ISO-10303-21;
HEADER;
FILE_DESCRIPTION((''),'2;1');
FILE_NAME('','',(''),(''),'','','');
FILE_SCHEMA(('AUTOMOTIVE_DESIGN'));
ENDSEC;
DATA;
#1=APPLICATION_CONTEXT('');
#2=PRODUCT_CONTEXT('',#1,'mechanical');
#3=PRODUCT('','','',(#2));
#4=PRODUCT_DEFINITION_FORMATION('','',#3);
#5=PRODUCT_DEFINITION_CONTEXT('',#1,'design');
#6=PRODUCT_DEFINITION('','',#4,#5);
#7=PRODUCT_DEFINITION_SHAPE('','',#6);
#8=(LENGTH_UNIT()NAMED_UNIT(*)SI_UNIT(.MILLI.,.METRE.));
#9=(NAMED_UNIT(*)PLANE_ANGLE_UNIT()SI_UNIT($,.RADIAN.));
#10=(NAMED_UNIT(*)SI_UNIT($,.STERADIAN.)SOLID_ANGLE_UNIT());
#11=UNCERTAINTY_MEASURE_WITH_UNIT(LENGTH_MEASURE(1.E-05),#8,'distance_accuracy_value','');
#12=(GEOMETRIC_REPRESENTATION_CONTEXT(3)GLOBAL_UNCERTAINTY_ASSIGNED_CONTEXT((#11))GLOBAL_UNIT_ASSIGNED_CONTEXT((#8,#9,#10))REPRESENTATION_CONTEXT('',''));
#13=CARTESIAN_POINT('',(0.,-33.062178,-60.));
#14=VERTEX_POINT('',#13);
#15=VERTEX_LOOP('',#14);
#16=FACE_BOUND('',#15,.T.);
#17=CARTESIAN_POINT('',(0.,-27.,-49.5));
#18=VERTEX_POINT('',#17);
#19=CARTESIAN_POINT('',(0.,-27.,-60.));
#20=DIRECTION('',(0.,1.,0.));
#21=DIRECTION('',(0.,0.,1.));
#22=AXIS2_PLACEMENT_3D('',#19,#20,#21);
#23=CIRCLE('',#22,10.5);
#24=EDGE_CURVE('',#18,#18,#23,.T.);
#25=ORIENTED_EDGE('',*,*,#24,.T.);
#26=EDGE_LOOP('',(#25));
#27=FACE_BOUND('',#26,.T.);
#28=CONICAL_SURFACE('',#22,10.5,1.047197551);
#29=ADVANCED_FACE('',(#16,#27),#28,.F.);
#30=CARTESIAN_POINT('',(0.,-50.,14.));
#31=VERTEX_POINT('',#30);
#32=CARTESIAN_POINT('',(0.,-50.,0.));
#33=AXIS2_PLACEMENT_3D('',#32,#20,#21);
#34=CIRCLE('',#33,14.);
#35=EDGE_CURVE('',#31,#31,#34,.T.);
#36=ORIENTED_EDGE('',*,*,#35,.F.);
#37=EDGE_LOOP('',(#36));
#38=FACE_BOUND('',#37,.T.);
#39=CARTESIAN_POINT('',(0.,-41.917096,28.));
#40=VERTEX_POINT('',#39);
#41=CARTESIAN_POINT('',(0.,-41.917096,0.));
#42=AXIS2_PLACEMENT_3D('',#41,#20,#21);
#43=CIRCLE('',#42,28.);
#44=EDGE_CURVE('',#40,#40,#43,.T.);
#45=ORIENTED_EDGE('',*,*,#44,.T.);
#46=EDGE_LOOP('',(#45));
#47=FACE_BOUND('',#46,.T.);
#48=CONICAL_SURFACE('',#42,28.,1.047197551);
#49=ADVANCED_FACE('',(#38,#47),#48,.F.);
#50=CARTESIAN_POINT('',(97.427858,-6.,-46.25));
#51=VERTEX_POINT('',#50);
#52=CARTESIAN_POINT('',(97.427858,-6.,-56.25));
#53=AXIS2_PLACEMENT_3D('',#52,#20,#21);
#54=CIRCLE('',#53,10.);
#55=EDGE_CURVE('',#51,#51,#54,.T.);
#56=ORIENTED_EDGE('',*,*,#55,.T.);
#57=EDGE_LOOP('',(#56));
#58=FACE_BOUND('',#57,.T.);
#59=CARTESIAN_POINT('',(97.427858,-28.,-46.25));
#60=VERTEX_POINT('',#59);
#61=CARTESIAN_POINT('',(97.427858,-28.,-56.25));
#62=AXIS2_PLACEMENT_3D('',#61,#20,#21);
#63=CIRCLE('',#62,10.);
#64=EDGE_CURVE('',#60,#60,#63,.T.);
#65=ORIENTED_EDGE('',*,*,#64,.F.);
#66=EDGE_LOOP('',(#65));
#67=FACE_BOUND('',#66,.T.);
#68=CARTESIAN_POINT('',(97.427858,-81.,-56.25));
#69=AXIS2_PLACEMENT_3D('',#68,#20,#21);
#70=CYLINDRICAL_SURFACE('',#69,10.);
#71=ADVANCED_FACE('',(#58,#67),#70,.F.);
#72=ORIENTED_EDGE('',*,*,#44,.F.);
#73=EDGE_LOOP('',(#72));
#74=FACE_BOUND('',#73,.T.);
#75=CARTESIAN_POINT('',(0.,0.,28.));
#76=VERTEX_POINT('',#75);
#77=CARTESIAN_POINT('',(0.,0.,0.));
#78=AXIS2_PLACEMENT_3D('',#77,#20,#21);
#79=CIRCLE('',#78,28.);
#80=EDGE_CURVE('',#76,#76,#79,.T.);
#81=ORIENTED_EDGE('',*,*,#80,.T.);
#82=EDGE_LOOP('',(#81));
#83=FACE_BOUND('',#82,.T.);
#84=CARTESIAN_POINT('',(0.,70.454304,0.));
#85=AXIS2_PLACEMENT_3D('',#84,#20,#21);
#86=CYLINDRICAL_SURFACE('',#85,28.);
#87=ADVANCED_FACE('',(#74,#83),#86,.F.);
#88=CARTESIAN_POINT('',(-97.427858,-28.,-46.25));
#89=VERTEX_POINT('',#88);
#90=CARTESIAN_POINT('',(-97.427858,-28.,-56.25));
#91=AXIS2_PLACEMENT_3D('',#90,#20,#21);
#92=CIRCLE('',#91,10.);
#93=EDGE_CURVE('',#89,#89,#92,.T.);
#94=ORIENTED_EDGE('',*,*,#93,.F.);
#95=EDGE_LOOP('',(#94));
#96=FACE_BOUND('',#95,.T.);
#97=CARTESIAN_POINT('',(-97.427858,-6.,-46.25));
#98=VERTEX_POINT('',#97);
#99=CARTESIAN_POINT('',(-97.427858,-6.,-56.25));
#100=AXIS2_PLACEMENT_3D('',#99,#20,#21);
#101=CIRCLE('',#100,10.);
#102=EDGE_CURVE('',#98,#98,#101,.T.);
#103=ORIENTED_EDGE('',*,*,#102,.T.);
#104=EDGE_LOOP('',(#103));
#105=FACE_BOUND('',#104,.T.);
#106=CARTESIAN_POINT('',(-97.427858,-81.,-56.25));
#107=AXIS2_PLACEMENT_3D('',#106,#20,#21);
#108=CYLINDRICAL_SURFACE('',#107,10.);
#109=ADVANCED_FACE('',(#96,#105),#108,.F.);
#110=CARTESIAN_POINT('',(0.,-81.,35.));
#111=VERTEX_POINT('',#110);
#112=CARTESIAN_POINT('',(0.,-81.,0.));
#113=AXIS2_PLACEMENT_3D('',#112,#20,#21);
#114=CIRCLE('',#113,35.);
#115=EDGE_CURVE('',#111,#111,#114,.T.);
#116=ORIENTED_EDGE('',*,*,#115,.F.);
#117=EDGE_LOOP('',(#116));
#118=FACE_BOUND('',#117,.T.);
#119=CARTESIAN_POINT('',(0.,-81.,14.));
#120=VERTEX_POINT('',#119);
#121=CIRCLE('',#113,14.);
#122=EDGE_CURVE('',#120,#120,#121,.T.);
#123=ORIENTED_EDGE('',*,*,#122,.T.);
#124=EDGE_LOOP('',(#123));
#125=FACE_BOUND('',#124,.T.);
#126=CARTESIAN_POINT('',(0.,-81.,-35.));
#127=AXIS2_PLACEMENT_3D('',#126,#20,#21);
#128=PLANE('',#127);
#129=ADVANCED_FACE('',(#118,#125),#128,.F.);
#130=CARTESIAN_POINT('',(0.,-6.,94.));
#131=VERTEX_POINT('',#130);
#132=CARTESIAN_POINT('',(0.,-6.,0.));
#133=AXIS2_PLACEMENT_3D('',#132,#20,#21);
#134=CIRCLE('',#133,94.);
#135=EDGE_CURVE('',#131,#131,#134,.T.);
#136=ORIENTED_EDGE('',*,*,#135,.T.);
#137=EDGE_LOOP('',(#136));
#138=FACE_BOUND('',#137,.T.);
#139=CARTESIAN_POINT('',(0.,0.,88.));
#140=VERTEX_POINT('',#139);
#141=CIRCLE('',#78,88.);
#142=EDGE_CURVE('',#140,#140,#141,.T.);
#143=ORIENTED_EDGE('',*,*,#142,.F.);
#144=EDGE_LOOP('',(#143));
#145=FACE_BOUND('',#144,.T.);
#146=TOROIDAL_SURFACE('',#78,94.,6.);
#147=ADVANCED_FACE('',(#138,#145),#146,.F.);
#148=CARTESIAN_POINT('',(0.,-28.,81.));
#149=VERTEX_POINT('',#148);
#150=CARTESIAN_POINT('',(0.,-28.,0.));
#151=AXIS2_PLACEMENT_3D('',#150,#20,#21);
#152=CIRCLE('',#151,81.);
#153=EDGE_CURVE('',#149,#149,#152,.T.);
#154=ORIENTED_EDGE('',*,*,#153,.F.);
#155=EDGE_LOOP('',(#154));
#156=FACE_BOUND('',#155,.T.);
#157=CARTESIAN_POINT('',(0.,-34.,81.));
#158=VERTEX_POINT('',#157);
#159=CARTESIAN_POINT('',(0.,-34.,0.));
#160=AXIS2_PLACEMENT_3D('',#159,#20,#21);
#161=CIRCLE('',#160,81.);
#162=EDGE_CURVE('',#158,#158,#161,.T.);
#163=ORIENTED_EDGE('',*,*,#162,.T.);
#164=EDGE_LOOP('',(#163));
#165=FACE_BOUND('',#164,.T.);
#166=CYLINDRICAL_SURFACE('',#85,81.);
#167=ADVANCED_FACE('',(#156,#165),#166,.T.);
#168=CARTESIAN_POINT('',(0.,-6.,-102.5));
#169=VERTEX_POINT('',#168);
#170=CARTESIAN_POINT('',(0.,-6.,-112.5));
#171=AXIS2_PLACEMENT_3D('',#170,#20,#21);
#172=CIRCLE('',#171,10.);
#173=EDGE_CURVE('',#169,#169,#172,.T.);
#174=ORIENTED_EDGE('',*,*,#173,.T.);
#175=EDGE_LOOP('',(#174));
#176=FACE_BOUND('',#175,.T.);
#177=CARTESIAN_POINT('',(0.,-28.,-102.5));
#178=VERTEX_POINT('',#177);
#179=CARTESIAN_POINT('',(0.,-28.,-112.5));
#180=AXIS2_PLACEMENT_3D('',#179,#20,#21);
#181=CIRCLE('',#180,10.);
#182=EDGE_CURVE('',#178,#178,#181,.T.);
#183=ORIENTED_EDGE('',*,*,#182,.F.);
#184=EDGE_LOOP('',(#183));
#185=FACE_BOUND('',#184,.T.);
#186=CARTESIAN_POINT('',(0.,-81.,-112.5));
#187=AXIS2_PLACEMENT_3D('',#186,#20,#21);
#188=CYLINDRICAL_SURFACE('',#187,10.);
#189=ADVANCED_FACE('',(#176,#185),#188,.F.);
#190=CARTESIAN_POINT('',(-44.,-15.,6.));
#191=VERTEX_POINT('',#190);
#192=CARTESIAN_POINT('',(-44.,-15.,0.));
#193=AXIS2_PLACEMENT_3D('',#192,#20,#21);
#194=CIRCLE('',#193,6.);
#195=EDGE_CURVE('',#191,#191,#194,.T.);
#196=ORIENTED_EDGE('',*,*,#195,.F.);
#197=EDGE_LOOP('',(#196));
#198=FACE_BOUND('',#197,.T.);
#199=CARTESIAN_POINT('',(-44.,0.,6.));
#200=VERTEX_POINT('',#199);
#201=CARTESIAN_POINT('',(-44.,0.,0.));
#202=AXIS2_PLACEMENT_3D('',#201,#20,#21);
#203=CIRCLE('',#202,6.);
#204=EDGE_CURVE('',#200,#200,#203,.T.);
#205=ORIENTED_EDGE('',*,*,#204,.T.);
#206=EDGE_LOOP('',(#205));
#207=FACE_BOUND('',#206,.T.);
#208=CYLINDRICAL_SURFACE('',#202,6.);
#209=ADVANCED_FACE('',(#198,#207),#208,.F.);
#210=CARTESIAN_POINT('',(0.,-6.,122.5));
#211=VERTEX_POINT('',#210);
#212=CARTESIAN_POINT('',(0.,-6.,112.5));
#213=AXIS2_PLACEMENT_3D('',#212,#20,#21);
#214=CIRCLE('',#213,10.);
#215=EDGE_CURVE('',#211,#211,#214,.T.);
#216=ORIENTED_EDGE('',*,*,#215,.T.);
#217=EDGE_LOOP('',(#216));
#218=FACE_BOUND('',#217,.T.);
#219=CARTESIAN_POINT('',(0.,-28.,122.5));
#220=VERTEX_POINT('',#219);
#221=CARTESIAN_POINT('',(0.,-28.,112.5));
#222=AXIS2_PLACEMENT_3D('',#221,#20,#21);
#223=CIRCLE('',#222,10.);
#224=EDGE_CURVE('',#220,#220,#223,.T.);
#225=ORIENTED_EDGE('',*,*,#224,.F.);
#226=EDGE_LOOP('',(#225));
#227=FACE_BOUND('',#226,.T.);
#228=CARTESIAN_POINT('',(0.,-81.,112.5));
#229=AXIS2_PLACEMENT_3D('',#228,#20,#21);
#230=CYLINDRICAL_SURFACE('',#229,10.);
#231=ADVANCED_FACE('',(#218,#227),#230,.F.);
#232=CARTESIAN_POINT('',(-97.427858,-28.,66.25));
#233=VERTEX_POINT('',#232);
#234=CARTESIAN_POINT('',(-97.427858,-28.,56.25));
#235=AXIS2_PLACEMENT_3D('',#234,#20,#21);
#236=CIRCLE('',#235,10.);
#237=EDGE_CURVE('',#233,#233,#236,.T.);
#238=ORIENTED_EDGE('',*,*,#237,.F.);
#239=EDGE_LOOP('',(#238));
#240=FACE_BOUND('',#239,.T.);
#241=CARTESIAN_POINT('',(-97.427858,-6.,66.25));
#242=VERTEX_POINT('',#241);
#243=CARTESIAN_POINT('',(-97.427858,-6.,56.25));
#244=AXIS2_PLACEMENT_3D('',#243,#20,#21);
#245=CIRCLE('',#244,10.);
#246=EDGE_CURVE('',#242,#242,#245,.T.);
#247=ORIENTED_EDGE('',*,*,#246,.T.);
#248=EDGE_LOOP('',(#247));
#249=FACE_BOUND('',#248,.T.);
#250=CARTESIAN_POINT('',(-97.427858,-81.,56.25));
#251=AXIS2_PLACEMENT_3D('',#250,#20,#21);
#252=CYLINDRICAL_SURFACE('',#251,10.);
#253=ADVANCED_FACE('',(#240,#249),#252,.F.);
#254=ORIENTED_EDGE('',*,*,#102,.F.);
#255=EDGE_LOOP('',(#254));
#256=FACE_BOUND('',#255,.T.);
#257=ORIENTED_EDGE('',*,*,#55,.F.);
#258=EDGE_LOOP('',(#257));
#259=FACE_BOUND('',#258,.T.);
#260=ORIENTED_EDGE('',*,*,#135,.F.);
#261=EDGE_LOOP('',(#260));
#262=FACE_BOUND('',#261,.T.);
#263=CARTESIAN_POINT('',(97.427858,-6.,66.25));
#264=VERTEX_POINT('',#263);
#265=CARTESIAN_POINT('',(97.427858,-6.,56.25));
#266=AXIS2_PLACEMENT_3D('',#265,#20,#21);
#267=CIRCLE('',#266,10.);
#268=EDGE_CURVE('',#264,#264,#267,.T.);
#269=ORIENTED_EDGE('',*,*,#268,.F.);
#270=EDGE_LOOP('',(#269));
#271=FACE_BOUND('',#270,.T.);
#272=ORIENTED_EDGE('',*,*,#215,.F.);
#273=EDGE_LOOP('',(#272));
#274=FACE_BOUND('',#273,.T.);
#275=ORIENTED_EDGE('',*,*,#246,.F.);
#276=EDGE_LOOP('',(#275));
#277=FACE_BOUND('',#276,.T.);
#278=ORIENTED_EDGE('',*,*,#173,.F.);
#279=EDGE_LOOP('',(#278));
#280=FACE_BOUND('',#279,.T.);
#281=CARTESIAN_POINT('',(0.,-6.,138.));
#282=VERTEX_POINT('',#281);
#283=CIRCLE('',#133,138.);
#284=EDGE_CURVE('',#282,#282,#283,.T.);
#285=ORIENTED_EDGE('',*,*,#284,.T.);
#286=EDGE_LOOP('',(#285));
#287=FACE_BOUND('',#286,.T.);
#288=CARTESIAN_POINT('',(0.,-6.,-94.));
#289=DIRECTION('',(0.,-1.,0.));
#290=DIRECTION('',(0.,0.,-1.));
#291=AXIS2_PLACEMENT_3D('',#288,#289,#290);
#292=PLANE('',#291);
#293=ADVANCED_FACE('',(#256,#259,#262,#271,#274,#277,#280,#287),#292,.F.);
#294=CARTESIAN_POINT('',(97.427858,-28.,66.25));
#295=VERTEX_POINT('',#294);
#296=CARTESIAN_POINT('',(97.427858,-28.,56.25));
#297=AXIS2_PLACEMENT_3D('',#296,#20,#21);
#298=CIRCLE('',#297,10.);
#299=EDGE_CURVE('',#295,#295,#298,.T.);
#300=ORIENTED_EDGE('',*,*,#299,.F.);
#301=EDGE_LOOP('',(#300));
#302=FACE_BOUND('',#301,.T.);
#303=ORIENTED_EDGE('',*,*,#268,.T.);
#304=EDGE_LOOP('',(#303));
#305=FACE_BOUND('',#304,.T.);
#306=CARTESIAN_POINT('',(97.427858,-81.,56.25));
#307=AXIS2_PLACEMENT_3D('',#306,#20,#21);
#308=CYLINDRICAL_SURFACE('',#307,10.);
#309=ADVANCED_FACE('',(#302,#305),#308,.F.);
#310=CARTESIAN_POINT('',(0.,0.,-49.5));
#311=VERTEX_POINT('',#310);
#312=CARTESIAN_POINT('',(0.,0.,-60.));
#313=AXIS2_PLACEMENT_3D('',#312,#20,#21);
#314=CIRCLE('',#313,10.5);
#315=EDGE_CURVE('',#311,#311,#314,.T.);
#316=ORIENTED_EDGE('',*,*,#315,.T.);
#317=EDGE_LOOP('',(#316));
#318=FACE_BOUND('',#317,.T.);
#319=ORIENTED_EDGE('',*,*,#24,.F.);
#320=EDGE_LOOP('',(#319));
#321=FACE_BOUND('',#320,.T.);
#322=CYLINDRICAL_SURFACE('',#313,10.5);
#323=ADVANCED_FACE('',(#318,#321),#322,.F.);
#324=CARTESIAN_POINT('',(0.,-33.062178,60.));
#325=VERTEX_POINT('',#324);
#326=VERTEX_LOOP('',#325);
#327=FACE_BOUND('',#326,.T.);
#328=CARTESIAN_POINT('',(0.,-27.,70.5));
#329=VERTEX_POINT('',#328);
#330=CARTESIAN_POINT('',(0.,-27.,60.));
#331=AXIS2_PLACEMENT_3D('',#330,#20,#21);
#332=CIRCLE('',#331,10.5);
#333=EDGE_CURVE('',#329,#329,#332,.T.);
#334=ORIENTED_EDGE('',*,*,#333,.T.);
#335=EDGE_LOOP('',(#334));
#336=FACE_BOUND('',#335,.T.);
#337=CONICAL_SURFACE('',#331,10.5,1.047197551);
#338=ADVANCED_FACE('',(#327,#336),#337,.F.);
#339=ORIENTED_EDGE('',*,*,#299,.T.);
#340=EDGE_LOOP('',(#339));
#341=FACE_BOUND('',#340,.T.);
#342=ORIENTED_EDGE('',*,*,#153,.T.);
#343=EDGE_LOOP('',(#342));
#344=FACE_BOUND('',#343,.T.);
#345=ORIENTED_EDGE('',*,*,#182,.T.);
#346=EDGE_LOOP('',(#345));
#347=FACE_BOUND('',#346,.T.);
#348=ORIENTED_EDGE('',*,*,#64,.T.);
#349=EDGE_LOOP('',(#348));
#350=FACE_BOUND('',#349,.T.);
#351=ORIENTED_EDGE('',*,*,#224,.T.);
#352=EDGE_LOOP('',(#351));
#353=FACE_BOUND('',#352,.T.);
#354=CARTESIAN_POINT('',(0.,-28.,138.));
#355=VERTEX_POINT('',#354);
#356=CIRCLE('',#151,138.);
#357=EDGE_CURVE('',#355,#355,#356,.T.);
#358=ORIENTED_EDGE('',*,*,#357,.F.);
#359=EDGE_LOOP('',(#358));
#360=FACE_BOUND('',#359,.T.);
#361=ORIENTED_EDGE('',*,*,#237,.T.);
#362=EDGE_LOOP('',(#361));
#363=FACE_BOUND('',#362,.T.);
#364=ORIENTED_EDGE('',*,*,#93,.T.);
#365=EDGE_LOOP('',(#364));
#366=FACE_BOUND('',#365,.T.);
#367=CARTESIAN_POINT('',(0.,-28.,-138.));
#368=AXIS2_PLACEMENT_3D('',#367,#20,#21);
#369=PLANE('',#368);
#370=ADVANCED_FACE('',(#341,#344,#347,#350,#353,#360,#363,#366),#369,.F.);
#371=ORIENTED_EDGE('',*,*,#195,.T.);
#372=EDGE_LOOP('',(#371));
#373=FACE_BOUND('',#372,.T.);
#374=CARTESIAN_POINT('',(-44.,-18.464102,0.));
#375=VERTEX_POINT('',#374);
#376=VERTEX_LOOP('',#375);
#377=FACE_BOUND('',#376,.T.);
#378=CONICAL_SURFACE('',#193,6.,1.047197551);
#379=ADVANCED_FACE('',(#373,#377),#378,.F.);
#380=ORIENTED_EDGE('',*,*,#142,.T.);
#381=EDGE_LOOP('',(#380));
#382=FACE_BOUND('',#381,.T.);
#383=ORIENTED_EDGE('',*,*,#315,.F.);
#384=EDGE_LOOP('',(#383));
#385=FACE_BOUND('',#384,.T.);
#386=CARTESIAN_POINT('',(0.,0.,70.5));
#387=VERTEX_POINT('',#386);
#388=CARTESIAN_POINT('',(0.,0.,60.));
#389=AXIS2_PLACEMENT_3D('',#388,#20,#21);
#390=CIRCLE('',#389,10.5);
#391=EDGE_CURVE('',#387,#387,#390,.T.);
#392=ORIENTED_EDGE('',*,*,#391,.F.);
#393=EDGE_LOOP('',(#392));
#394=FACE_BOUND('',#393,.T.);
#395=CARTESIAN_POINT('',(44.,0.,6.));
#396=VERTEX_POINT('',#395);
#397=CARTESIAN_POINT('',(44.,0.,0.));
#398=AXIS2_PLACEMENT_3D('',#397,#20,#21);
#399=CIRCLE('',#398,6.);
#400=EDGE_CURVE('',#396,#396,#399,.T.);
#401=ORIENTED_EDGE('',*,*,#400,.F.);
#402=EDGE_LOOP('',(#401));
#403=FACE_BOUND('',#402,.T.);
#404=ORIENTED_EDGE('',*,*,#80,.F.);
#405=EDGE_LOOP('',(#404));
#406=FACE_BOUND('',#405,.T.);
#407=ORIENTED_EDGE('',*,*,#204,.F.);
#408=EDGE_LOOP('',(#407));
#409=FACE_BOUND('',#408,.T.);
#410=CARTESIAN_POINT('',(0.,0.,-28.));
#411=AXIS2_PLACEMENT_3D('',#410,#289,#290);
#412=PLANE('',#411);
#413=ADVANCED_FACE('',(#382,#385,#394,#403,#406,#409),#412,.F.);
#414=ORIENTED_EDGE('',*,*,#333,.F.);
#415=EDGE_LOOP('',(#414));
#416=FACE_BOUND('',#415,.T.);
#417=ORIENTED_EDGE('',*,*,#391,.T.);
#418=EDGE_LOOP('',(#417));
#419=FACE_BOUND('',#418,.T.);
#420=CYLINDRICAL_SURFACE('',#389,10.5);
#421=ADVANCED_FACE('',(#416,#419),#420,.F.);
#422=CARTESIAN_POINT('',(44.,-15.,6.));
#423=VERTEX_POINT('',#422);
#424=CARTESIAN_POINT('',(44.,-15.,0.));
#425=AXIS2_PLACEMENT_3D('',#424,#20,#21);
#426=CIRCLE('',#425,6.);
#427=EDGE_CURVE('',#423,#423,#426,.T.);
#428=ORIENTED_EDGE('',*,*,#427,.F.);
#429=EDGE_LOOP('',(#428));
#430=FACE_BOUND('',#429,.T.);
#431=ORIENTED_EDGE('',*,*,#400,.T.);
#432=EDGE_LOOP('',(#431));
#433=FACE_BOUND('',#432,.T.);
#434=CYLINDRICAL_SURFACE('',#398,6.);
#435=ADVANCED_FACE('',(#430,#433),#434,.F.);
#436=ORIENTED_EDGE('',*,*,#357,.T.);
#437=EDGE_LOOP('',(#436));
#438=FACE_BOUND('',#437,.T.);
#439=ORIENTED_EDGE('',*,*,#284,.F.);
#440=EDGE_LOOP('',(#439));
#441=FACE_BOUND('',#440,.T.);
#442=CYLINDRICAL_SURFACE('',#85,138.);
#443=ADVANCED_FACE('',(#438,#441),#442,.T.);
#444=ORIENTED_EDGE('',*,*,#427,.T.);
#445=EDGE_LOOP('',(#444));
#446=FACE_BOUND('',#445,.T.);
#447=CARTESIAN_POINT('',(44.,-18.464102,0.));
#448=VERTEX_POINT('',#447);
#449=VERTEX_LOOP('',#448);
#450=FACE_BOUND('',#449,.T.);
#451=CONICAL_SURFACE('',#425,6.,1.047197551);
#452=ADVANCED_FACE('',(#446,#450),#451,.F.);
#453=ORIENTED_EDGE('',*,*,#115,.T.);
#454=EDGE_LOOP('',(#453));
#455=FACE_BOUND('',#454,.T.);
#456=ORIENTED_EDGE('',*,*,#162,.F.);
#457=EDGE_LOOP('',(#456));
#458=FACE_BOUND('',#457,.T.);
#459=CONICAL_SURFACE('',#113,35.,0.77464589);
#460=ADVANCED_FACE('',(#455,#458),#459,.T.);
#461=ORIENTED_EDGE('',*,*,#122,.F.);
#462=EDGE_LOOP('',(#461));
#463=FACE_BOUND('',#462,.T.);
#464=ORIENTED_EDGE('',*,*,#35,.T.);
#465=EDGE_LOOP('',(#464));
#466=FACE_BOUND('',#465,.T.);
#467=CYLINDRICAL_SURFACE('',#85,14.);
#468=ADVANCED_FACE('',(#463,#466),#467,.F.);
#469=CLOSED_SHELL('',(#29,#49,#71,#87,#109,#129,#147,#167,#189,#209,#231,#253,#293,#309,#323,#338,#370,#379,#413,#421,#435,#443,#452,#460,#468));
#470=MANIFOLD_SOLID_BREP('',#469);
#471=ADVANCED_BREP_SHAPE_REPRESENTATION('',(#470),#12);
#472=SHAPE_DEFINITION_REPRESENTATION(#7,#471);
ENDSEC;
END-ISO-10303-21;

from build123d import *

# Parameters (mm, degrees)
SKETCH4_R              = 10
CUT_EXTRUDE1_DEPTH     = 76
M24_TAPPED_HOLE1_D     = 21
M24_TAPPED_HOLE1_DEPTH = 27
M24_TAPPED_HOLE1_TIP   = 6.062177826
M12_TAPPED_HOLE1_D     = 12
M12_TAPPED_HOLE1_DEPTH = 15
M12_TAPPED_HOLE1_TIP   = 3.464101615


with BuildPart() as part:
    # Sketch2 → Revolve1 (revolve)
    with BuildSketch(Plane(origin=(0, 0, 0), x_dir=(0, 0, -1), z_dir=(1, 0, 0))):
        with BuildLine():
            Line((28, 0), (88, 0))
            ThreePointArc((88, 0), (89.757359313, -4.242640687), (94, -6))
            Line((94, -6), (138, -6))
            Line((138, -6), (138, -28))
            Line((138, -28), (81, -28))
            Line((81, -28), (81, -34))
            Line((81, -34), (35, -81))
            Line((35, -81), (14, -81))
            Line((14, -81), (14, -50))
            Line((14, -50), (28, -41.917096231))
            Line((28, -41.917096231), (28, 0))
        make_face()
    revolve(axis=Axis((0, 70.454304255, 0), (0, -1, 0)))

    # Sketch4 → Cut-Extrude1 (cut, through all)
    with BuildSketch(Plane(origin=(0, -6, 0), x_dir=(1, 0, 0), z_dir=(0, 1, 0))):
        with Locations((0, 112.5)):
            Circle(SKETCH4_R)
        with Locations((97.427857926, 56.25)):
            Circle(SKETCH4_R)
        with Locations((97.427857926, -56.25)):
            Circle(SKETCH4_R)
        with Locations((0, -112.5)):
            Circle(SKETCH4_R)
        with Locations((-97.427857926, -56.25)):
            Circle(SKETCH4_R)
        with Locations((-97.427857926, 56.25)):
            Circle(SKETCH4_R)
    extrude(amount=-CUT_EXTRUDE1_DEPTH, mode=Mode.SUBTRACT)

    # M24 Tapped Hole1
    with Locations(Plane(origin=(0, 0, 0), x_dir=(1, 0, 0), z_dir=(0, 1, 0))):
        with Locations((0, -60), (0, 60)):
            Hole(M24_TAPPED_HOLE1_D / 2, depth=M24_TAPPED_HOLE1_DEPTH)
            with Locations((0, 0, -(M24_TAPPED_HOLE1_DEPTH + M24_TAPPED_HOLE1_TIP / 2))):  # 120° drill point
                Cone(0, M24_TAPPED_HOLE1_D / 2, M24_TAPPED_HOLE1_TIP, mode=Mode.SUBTRACT)

    # M12 Tapped Hole1
    with Locations(Plane(origin=(0, 0, 0), x_dir=(1, 0, 0), z_dir=(0, 1, 0))):
        with Locations((-44, 0), (44, 0)):
            Hole(M12_TAPPED_HOLE1_D / 2, depth=M12_TAPPED_HOLE1_DEPTH)
            with Locations((0, 0, -(M12_TAPPED_HOLE1_DEPTH + M12_TAPPED_HOLE1_TIP / 2))):  # 120° drill point
                Cone(0, M12_TAPPED_HOLE1_D / 2, M12_TAPPED_HOLE1_TIP, mode=Mode.SUBTRACT)


solid = part.part
